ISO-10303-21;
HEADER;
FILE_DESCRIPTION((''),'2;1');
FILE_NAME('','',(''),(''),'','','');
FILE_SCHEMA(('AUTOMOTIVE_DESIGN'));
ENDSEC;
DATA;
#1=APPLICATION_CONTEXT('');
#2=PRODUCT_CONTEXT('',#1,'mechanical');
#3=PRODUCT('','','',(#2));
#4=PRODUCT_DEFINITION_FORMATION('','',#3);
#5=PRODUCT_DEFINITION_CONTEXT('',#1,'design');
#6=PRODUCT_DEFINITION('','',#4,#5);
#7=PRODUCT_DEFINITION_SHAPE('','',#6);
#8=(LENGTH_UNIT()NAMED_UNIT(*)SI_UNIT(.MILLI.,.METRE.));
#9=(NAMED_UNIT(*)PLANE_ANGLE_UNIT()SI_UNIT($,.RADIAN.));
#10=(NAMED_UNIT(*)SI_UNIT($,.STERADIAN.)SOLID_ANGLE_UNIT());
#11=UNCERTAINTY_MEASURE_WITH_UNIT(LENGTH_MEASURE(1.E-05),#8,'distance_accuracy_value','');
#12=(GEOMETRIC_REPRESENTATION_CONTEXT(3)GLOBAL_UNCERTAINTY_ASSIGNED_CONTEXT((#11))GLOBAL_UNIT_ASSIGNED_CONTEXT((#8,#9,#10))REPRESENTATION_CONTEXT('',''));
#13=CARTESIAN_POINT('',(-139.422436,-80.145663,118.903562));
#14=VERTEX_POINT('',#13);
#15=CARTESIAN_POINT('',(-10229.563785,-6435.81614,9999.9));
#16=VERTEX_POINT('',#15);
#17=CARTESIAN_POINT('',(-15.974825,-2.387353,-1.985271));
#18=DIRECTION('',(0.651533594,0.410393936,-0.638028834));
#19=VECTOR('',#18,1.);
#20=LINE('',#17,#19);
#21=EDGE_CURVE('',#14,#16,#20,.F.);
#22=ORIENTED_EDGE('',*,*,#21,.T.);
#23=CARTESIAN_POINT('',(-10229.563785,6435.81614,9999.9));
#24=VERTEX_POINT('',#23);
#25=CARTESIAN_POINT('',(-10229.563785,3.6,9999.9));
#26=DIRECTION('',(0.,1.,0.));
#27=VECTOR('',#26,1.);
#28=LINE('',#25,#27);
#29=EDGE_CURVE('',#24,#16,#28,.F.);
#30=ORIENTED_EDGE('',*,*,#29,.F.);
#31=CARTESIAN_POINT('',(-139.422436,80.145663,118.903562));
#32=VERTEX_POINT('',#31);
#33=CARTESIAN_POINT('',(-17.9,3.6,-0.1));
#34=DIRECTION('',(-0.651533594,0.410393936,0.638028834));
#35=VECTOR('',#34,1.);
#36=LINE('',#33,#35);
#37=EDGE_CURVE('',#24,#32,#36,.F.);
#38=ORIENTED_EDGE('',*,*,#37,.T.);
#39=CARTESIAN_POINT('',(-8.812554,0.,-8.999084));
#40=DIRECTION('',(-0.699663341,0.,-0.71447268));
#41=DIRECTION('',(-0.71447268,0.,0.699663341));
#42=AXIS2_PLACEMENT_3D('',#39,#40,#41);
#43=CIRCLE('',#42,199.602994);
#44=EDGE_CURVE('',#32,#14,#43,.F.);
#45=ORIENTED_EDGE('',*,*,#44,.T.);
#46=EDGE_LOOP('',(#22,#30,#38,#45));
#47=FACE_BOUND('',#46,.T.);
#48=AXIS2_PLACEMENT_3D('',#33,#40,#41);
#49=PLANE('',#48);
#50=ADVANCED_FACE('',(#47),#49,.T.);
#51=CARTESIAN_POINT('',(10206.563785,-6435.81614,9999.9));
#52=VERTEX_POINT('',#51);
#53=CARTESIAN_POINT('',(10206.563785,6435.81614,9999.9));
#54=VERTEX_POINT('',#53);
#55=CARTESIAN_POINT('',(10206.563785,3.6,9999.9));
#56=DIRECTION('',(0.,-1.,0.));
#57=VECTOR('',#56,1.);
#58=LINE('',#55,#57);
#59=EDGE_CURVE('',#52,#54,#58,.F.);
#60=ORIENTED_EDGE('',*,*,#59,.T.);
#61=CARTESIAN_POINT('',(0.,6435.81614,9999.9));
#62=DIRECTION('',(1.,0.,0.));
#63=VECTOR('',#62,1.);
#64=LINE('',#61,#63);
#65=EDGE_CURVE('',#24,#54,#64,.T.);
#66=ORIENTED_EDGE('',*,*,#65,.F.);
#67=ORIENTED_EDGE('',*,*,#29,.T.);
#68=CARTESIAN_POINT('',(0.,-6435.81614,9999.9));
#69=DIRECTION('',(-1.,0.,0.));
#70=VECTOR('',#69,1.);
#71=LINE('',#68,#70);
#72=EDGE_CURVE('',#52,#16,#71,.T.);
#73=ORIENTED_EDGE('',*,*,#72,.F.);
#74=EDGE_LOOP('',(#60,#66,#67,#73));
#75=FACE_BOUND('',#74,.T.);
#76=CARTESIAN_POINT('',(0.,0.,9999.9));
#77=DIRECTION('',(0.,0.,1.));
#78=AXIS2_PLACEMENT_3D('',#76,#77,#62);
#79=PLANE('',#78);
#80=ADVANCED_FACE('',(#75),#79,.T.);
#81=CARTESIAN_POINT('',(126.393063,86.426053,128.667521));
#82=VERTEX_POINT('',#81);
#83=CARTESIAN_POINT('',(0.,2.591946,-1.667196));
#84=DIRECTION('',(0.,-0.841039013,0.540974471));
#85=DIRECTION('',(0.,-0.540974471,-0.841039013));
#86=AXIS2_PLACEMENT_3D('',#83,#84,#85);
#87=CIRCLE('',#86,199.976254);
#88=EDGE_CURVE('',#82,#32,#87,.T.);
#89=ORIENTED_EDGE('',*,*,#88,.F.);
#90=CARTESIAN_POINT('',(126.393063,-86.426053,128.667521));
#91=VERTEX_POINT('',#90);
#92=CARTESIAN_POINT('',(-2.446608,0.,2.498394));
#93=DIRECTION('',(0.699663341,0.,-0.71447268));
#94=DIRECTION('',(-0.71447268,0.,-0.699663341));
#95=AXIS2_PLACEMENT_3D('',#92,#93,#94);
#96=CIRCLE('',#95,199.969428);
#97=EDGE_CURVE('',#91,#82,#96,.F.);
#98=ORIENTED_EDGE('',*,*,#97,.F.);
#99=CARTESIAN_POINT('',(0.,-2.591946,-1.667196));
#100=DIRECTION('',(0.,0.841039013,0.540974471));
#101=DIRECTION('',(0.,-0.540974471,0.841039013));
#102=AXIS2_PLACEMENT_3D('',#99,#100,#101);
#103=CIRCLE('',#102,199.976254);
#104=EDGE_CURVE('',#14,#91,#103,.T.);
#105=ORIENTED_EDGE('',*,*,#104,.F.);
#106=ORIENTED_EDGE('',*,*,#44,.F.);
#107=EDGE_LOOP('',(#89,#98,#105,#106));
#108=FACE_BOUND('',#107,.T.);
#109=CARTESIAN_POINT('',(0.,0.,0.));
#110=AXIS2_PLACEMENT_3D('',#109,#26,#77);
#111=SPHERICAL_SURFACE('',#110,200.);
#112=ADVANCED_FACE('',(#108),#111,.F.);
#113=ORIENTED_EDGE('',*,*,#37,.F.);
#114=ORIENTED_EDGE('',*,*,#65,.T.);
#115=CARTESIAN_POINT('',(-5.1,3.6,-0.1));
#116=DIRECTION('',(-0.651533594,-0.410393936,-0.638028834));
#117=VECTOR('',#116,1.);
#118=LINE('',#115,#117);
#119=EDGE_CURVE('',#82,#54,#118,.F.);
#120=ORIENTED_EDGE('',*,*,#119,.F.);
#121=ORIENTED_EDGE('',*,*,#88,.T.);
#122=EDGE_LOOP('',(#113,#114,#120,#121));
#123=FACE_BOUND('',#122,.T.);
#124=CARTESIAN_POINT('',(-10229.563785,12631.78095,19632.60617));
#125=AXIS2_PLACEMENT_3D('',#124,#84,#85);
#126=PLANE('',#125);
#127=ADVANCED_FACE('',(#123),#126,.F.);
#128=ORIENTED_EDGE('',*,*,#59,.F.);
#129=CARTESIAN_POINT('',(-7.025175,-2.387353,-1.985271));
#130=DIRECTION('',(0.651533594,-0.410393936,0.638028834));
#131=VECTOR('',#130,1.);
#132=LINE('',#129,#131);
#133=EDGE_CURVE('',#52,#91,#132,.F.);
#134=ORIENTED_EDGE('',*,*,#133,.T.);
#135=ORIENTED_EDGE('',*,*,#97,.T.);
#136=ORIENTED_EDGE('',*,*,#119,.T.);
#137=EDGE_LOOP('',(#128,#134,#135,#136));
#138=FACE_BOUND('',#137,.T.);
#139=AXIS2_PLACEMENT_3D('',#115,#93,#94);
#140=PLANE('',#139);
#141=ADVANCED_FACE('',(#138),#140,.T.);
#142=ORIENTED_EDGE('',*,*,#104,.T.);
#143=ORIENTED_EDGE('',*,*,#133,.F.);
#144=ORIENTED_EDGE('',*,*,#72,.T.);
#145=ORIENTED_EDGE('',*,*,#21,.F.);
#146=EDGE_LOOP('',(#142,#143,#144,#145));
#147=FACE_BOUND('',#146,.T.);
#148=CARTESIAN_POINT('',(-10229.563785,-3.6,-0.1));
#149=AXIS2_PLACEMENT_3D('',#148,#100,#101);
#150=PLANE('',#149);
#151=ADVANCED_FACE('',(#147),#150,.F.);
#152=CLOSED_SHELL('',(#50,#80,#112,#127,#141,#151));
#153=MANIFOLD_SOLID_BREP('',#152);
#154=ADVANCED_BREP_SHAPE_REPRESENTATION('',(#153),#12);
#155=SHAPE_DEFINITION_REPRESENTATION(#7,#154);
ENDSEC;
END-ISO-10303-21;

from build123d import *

# Parameters (mm, degrees)
SKETCH1_W               = 12.8
SKETCH1_H               = 7.2
BOSS_EXTRUDE1_DEPTH     = 10000
BOSS_EXTRUDE1_TAPER     = -45.6
CUT_EXTRUDE1_DEPTH      = 17579.213488948
CUT_EXTRUDE1_DEPTH_BACK = 17579.213488948


with BuildPart() as part:
    # Sketch1 → Boss-Extrude1 (new body)
    with BuildSketch(Plane.XY.offset(-0.1)):
        with Locations((-11.5, 0)):
            Rectangle(SKETCH1_W, SKETCH1_H)
    extrude(amount=BOSS_EXTRUDE1_DEPTH, taper=BOSS_EXTRUDE1_TAPER)

    # Sketch2 → Cut-Extrude1 (cut, two sides: drawn at the far end of the back side and taken through both)
    with BuildSketch(Plane(origin=(0, 0, 0), x_dir=(0, -1, 0), z_dir=(1, 0, 0)).offset(-CUT_EXTRUDE1_DEPTH_BACK)):
        Polygon((-12631.780949959, -19632.606169723), (-3.6, 0.1), (3.6, 0.1), (12631.780949959, -19632.606169723), (22327.50273382, 5804.710423836), (-20603.431761532, 5804.710423836), align=None)
    extrude(amount=CUT_EXTRUDE1_DEPTH + CUT_EXTRUDE1_DEPTH_BACK, mode=Mode.SUBTRACT)

    # Sketch4 → Cut-Revolve3 (revolve, cut)
    with BuildSketch(Plane(origin=(0, 0, 0), x_dir=(0, 0, -1), z_dir=(1, 0, 0))):
        with BuildLine():
            Line((0, -200), (0, 200))
            ThreePointArc((0, 200), (-200, 0), (0, -200))
        make_face()
    revolve(axis=Axis((0, 3540.008208747, 0), (0, -1, 0)), mode=Mode.SUBTRACT)


solid = part.part
